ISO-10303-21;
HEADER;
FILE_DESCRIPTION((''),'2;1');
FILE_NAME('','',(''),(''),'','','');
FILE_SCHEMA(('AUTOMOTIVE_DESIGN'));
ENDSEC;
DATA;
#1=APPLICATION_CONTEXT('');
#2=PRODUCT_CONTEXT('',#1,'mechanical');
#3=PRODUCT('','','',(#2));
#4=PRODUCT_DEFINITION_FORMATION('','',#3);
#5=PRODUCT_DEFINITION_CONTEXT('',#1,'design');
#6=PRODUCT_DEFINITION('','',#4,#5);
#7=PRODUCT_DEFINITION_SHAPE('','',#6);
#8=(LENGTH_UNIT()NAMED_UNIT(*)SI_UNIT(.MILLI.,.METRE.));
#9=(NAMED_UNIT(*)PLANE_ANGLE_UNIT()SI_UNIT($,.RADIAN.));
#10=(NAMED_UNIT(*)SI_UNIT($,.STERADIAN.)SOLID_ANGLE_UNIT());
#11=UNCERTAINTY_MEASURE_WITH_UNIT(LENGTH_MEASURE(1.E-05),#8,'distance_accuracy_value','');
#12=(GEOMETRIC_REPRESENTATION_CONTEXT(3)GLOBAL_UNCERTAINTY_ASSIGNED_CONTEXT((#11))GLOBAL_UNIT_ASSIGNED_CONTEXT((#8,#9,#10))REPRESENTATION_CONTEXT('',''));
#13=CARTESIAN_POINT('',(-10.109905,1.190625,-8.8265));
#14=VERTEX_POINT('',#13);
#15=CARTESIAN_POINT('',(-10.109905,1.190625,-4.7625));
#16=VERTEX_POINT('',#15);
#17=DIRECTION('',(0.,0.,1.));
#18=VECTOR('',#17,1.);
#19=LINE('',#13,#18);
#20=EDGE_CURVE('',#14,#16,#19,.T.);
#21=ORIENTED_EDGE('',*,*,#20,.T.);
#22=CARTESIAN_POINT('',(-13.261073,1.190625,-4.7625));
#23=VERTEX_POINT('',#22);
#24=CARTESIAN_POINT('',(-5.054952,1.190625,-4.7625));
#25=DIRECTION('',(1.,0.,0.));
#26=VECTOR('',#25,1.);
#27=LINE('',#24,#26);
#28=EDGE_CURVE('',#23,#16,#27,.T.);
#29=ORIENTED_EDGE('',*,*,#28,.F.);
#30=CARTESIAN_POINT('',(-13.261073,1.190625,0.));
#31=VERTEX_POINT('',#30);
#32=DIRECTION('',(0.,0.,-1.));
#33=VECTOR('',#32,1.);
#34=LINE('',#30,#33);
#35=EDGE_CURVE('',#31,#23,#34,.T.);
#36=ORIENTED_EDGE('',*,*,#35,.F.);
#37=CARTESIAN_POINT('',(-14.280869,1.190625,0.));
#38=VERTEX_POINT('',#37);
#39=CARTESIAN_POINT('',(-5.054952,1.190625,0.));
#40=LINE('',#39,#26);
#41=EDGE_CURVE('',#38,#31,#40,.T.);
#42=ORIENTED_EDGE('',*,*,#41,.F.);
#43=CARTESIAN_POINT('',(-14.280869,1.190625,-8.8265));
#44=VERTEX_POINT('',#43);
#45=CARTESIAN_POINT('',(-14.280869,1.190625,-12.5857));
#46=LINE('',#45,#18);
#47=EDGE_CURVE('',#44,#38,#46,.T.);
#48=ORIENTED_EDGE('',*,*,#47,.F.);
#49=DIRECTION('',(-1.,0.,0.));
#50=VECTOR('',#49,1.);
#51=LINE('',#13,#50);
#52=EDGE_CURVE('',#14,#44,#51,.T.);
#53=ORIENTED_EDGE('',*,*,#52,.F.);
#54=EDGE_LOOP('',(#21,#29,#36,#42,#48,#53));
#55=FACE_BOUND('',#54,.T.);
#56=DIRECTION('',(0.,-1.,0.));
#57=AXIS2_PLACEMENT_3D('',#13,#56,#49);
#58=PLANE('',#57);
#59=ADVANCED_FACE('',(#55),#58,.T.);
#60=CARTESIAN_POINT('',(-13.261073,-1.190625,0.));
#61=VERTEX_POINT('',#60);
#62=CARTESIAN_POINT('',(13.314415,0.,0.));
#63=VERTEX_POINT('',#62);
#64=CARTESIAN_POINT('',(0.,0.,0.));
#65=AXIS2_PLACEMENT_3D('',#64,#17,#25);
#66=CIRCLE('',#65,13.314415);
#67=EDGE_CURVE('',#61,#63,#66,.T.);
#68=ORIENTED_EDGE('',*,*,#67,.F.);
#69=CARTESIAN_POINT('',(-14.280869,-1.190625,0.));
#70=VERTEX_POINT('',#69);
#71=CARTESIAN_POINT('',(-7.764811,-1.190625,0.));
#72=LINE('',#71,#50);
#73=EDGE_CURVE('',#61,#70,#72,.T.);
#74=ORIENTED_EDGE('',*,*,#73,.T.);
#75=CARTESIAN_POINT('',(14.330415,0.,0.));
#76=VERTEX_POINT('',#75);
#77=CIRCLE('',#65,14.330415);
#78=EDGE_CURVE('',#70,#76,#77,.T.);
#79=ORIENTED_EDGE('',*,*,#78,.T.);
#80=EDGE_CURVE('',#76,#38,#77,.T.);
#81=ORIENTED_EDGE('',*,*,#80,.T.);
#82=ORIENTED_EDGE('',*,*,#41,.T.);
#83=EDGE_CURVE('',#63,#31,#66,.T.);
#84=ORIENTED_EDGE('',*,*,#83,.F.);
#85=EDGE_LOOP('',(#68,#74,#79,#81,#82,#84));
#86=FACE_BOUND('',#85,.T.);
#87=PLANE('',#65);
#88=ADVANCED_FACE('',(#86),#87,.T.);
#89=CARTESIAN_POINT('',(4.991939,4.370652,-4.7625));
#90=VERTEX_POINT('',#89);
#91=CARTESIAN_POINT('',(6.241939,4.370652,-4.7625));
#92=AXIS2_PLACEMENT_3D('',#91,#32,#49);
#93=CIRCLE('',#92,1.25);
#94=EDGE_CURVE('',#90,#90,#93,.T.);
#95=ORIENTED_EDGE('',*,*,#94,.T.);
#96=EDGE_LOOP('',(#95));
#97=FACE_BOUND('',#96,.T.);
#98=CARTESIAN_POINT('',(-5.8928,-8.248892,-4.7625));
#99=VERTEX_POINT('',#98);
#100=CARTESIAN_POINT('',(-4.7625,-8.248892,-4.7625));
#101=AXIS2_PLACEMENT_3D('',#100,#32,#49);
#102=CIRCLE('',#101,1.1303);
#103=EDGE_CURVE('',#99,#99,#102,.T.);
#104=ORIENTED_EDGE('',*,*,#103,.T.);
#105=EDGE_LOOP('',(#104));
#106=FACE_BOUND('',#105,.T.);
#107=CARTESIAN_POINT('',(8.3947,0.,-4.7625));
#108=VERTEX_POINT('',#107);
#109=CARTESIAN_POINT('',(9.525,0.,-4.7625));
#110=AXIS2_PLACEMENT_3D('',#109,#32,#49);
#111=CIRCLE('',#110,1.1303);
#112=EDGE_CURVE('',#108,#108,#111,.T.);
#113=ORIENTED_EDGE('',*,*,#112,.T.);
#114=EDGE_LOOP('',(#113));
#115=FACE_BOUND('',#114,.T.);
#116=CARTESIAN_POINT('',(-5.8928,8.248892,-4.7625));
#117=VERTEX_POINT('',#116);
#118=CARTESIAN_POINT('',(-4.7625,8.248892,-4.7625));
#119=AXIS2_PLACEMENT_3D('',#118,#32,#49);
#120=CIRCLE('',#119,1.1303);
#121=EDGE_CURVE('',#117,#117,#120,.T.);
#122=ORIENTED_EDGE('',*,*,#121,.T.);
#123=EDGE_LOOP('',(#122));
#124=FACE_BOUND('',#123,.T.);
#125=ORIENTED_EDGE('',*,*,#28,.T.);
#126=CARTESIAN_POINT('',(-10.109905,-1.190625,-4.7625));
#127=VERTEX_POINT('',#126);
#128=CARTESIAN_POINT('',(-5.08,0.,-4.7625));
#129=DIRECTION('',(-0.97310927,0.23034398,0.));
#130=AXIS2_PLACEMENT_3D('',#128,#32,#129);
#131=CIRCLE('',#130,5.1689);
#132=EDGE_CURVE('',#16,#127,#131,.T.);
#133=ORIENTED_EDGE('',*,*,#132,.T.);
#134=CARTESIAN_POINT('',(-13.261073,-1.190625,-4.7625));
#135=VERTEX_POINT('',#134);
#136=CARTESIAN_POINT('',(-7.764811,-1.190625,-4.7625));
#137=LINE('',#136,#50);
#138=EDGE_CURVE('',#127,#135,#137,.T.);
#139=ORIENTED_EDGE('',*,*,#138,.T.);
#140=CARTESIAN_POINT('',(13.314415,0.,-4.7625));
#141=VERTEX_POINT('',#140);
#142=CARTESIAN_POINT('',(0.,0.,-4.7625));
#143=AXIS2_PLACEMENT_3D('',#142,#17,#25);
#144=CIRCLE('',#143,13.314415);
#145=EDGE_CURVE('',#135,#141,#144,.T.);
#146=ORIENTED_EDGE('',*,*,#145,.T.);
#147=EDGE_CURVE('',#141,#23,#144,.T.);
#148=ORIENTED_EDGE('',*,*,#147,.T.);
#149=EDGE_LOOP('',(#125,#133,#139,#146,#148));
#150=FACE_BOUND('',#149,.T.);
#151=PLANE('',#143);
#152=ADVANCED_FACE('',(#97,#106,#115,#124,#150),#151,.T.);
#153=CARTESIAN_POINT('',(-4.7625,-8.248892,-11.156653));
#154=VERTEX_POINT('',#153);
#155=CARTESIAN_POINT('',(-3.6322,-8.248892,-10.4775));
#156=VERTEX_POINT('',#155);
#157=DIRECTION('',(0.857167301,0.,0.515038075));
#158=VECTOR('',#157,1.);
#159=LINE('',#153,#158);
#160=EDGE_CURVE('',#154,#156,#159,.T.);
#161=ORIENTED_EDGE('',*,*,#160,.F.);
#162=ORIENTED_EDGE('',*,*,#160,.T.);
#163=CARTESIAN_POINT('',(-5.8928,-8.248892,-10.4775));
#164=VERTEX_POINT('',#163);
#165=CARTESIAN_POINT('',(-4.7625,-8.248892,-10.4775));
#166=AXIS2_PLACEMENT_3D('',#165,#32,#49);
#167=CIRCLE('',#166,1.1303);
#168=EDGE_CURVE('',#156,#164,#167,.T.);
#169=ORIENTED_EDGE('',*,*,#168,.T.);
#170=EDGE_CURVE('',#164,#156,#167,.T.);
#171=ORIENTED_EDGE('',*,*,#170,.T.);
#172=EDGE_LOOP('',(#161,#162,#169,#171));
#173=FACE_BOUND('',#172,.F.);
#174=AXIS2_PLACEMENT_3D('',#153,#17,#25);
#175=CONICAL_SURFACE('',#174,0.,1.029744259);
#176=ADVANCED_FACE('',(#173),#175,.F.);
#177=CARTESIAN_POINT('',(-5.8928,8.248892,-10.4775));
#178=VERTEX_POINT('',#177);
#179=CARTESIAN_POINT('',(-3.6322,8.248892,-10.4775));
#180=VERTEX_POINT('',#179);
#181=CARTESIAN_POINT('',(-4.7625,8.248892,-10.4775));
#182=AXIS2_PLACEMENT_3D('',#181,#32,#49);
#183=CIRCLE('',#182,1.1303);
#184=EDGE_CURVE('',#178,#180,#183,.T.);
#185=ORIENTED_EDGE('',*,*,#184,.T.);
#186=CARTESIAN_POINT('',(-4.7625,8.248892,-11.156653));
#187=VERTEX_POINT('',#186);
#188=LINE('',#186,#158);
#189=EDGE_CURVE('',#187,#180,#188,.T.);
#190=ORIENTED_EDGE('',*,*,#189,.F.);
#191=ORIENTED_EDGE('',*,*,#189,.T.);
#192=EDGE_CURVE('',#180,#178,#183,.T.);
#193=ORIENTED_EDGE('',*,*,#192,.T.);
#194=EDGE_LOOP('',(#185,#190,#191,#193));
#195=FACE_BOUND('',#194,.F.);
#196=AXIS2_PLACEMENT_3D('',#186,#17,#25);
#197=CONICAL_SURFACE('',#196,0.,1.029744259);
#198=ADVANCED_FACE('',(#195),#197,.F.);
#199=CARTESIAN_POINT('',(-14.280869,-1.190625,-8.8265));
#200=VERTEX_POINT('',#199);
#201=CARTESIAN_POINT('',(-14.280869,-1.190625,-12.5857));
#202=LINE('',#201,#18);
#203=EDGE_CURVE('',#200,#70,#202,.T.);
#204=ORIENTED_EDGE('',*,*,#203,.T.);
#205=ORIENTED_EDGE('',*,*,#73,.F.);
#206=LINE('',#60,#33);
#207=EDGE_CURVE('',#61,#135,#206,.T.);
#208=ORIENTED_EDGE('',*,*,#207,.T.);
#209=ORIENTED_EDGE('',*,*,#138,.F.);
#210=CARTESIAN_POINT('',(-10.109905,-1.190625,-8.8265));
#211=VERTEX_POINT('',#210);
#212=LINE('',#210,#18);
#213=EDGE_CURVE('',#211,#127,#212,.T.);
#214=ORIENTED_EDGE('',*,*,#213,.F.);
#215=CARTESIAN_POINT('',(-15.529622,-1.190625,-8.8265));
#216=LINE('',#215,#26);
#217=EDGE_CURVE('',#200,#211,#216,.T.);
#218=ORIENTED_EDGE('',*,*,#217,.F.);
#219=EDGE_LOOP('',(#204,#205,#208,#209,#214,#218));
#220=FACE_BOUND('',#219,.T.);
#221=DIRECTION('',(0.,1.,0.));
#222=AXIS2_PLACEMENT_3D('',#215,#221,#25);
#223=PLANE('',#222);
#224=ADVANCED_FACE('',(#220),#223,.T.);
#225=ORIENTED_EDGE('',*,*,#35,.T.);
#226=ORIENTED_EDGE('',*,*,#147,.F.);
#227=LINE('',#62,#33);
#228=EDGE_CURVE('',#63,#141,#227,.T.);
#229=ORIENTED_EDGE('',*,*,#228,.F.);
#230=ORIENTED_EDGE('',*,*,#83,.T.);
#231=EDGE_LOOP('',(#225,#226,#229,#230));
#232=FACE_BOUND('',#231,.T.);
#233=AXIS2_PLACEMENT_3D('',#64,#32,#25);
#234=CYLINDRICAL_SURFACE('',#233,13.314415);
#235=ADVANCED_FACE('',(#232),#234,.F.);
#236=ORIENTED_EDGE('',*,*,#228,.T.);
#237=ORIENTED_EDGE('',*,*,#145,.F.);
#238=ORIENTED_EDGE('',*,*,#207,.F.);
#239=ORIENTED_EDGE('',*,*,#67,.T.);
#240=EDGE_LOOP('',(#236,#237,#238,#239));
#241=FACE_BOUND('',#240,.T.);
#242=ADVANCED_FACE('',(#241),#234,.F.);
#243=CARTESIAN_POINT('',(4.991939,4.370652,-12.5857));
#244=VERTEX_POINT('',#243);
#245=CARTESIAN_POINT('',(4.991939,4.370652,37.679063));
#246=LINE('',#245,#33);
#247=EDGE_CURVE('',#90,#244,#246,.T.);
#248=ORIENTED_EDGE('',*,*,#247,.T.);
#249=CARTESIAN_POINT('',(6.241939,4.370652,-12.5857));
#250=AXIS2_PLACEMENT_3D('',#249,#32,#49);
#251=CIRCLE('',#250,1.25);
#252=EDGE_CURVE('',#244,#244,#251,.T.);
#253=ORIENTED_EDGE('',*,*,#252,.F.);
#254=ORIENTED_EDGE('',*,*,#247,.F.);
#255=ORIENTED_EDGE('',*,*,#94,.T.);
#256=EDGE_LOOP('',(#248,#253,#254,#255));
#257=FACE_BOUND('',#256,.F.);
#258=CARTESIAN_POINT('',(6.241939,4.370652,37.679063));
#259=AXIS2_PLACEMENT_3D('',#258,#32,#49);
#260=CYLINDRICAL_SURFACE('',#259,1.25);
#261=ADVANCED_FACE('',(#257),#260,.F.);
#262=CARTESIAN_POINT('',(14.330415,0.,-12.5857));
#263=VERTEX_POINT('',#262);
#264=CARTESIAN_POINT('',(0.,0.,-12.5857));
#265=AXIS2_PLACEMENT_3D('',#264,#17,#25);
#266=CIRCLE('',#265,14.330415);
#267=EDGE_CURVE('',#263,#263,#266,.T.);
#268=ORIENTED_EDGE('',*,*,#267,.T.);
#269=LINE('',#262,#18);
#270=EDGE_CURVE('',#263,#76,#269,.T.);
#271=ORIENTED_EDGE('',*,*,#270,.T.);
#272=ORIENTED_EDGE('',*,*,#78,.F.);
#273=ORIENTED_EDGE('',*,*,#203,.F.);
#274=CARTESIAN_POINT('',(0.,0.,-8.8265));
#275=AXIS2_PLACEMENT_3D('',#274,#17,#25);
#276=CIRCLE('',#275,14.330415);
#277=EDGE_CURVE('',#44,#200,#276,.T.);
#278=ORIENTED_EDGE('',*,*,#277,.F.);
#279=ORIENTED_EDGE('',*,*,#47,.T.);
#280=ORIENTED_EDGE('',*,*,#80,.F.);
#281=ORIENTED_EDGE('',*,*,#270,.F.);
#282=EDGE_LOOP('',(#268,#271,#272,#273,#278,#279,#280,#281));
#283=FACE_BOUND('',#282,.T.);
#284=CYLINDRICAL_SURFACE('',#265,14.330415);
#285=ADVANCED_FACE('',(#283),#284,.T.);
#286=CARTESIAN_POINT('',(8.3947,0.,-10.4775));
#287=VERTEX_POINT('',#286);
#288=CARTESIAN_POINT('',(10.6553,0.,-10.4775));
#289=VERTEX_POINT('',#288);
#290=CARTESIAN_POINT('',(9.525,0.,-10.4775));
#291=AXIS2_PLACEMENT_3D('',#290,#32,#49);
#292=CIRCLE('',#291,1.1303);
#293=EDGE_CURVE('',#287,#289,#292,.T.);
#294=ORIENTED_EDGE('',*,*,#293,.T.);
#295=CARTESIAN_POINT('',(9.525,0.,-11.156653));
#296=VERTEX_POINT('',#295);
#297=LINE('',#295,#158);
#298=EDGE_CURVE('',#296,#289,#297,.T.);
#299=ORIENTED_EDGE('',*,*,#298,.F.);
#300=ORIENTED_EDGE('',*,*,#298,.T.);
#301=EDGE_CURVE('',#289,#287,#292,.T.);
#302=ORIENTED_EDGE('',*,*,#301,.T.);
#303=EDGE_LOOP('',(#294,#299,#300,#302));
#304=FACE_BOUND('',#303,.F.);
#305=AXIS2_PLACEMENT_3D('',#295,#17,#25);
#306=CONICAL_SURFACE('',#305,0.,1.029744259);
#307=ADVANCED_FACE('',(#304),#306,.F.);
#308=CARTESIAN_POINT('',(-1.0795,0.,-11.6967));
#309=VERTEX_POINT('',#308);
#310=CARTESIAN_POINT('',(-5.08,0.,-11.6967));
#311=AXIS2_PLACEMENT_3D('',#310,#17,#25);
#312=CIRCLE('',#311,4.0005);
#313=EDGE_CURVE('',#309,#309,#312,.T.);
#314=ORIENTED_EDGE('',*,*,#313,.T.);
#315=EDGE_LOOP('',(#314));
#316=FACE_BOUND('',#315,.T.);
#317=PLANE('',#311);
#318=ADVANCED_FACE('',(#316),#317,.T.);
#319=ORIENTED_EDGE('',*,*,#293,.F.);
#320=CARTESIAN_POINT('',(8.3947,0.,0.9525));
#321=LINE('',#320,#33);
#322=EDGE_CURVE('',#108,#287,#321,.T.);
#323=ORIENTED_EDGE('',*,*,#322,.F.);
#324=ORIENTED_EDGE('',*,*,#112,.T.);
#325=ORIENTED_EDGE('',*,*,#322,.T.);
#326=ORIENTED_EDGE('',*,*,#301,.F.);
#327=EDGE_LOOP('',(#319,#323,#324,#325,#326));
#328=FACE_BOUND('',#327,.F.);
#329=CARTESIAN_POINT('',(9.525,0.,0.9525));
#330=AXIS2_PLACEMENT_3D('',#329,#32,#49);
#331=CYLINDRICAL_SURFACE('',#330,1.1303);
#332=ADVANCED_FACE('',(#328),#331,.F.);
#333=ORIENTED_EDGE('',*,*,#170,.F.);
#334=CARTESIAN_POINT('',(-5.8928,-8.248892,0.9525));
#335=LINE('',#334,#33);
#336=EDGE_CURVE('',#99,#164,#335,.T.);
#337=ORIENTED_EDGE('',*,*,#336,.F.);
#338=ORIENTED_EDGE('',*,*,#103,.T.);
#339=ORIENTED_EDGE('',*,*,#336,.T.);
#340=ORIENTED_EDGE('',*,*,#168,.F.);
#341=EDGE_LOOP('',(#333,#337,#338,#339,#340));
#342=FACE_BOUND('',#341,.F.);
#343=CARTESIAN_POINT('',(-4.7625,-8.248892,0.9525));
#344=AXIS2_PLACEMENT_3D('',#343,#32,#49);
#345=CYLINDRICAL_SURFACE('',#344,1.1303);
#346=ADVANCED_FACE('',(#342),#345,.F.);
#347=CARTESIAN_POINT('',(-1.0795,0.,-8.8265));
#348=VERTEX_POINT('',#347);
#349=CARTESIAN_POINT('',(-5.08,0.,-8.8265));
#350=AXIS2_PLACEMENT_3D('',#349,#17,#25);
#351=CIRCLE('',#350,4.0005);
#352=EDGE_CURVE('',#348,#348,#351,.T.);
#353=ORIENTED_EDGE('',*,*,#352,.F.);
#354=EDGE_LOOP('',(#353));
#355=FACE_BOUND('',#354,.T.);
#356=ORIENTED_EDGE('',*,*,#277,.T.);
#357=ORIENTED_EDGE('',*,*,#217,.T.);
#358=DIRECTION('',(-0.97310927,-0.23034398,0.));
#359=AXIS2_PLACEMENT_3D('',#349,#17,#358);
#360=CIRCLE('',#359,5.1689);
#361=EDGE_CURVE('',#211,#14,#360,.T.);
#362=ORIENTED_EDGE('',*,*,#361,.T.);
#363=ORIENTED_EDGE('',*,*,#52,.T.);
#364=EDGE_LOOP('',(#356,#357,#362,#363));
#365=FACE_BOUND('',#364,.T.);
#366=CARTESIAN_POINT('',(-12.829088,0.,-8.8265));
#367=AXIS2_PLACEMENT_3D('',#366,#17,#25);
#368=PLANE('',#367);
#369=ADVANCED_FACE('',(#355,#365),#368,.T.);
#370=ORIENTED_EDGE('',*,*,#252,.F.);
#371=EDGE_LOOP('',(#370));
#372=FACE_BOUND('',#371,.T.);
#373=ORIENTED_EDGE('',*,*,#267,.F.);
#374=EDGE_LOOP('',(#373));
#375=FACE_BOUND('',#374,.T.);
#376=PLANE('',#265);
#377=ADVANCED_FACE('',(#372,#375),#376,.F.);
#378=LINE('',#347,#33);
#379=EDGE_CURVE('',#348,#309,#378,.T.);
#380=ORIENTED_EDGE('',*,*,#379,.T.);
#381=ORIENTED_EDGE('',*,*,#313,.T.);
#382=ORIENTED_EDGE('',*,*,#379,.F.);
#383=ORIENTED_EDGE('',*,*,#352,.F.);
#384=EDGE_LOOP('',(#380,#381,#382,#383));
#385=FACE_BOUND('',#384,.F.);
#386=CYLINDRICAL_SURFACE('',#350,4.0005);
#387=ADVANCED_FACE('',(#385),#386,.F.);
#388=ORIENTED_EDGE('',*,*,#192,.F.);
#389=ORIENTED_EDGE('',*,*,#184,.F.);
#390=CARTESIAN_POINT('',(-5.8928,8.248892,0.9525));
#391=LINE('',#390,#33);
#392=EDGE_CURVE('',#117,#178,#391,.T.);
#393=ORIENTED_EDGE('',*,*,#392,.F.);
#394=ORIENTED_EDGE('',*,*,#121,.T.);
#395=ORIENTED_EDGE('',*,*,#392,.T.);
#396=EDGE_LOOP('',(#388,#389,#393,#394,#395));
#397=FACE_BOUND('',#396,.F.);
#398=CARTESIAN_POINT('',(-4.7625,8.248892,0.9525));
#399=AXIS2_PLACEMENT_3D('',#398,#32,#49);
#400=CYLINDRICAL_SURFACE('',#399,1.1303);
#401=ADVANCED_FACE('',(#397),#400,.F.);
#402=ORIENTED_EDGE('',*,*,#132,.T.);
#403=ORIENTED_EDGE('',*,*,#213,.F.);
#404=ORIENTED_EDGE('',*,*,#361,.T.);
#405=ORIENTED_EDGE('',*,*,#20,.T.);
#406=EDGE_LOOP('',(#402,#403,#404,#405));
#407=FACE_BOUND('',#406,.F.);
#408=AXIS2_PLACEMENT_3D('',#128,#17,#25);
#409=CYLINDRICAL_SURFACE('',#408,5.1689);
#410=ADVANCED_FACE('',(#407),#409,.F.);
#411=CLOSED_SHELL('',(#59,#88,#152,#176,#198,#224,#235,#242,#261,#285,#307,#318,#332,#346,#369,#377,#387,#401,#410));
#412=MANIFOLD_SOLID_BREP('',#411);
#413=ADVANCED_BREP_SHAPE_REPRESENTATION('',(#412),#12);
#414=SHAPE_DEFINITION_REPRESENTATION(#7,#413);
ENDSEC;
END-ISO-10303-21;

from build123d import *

# Parameters (mm, degrees)
F3_D     = 2.2606
F3_DEPTH = 5.715
F3_TIP   = 0.6791527577
F4_R     = 5.1689
F5_DEPTH = 4.064
F6_R     = 4.0005
F7_DEPTH = 2.8702
F9_DEPTH = 25.4
F11_D    = 2.5


with BuildPart() as f1:
    # F0 (on Front) → F1 (revolve)
    with BuildSketch(Plane.XZ):
        Polygon((14.330415332, -12.5857), (14.330415332, 0), (13.314415332, 0), (13.314415332, -4.7625), (0, -4.7625), (0, -12.5857), align=None)
    revolve(axis=Axis((0, 0, -8.6741), (0, 0, 1)))

    # F3
    with Locations(Plane.XY.offset(-4.7625)):
        with Locations((9.525, 0), (-4.7625, 8.248891971), (-4.7625, -8.248891971)):
            Hole(F3_D / 2, depth=F3_DEPTH)
            with Locations((0, 0, -(F3_DEPTH + F3_TIP / 2))):  # 118° drill point
                Cone(0, F3_D / 2, F3_TIP, mode=Mode.SUBTRACT)

    # F4 (on face) → F5 (cut)
    with BuildSketch(Plane.XY.offset(-4.7625)):
        with Locations((-5.08, 0)):
            Circle(F4_R)
    extrude(amount=-F5_DEPTH, mode=Mode.SUBTRACT)

    # F6 (on face) → F7 (cut)
    with BuildSketch(Plane.XY.offset(-8.8265)):
        with Locations((-5.08, 0)):
            Circle(F6_R)
    extrude(amount=-F7_DEPTH, mode=Mode.SUBTRACT)

    # F8 (on face) → F9 (cut)
    with BuildSketch(Plane.XY.offset(-8.8265)):
        with BuildLine():
            ThreePointArc((-10.109904504, -1.190625), (-10.2489, 0), (-10.109904504, 1.190625))
            Line((-10.109904504, 1.190625), (-15.529622134, 1.190625))
            Line((-15.529622134, 1.190625), (-15.529622134, -1.190625))
            Line((-15.529622134, -1.190625), (-10.109904504, -1.190625))
        make_face()
    extrude(amount=F9_DEPTH, mode=Mode.SUBTRACT)

    # F11 (through all)
    with Locations(Plane.XY.offset(-4.7625)):
        with Locations((6.2419385775, 4.370652445)):
            Hole(F11_D / 2)


solid = f1.part
